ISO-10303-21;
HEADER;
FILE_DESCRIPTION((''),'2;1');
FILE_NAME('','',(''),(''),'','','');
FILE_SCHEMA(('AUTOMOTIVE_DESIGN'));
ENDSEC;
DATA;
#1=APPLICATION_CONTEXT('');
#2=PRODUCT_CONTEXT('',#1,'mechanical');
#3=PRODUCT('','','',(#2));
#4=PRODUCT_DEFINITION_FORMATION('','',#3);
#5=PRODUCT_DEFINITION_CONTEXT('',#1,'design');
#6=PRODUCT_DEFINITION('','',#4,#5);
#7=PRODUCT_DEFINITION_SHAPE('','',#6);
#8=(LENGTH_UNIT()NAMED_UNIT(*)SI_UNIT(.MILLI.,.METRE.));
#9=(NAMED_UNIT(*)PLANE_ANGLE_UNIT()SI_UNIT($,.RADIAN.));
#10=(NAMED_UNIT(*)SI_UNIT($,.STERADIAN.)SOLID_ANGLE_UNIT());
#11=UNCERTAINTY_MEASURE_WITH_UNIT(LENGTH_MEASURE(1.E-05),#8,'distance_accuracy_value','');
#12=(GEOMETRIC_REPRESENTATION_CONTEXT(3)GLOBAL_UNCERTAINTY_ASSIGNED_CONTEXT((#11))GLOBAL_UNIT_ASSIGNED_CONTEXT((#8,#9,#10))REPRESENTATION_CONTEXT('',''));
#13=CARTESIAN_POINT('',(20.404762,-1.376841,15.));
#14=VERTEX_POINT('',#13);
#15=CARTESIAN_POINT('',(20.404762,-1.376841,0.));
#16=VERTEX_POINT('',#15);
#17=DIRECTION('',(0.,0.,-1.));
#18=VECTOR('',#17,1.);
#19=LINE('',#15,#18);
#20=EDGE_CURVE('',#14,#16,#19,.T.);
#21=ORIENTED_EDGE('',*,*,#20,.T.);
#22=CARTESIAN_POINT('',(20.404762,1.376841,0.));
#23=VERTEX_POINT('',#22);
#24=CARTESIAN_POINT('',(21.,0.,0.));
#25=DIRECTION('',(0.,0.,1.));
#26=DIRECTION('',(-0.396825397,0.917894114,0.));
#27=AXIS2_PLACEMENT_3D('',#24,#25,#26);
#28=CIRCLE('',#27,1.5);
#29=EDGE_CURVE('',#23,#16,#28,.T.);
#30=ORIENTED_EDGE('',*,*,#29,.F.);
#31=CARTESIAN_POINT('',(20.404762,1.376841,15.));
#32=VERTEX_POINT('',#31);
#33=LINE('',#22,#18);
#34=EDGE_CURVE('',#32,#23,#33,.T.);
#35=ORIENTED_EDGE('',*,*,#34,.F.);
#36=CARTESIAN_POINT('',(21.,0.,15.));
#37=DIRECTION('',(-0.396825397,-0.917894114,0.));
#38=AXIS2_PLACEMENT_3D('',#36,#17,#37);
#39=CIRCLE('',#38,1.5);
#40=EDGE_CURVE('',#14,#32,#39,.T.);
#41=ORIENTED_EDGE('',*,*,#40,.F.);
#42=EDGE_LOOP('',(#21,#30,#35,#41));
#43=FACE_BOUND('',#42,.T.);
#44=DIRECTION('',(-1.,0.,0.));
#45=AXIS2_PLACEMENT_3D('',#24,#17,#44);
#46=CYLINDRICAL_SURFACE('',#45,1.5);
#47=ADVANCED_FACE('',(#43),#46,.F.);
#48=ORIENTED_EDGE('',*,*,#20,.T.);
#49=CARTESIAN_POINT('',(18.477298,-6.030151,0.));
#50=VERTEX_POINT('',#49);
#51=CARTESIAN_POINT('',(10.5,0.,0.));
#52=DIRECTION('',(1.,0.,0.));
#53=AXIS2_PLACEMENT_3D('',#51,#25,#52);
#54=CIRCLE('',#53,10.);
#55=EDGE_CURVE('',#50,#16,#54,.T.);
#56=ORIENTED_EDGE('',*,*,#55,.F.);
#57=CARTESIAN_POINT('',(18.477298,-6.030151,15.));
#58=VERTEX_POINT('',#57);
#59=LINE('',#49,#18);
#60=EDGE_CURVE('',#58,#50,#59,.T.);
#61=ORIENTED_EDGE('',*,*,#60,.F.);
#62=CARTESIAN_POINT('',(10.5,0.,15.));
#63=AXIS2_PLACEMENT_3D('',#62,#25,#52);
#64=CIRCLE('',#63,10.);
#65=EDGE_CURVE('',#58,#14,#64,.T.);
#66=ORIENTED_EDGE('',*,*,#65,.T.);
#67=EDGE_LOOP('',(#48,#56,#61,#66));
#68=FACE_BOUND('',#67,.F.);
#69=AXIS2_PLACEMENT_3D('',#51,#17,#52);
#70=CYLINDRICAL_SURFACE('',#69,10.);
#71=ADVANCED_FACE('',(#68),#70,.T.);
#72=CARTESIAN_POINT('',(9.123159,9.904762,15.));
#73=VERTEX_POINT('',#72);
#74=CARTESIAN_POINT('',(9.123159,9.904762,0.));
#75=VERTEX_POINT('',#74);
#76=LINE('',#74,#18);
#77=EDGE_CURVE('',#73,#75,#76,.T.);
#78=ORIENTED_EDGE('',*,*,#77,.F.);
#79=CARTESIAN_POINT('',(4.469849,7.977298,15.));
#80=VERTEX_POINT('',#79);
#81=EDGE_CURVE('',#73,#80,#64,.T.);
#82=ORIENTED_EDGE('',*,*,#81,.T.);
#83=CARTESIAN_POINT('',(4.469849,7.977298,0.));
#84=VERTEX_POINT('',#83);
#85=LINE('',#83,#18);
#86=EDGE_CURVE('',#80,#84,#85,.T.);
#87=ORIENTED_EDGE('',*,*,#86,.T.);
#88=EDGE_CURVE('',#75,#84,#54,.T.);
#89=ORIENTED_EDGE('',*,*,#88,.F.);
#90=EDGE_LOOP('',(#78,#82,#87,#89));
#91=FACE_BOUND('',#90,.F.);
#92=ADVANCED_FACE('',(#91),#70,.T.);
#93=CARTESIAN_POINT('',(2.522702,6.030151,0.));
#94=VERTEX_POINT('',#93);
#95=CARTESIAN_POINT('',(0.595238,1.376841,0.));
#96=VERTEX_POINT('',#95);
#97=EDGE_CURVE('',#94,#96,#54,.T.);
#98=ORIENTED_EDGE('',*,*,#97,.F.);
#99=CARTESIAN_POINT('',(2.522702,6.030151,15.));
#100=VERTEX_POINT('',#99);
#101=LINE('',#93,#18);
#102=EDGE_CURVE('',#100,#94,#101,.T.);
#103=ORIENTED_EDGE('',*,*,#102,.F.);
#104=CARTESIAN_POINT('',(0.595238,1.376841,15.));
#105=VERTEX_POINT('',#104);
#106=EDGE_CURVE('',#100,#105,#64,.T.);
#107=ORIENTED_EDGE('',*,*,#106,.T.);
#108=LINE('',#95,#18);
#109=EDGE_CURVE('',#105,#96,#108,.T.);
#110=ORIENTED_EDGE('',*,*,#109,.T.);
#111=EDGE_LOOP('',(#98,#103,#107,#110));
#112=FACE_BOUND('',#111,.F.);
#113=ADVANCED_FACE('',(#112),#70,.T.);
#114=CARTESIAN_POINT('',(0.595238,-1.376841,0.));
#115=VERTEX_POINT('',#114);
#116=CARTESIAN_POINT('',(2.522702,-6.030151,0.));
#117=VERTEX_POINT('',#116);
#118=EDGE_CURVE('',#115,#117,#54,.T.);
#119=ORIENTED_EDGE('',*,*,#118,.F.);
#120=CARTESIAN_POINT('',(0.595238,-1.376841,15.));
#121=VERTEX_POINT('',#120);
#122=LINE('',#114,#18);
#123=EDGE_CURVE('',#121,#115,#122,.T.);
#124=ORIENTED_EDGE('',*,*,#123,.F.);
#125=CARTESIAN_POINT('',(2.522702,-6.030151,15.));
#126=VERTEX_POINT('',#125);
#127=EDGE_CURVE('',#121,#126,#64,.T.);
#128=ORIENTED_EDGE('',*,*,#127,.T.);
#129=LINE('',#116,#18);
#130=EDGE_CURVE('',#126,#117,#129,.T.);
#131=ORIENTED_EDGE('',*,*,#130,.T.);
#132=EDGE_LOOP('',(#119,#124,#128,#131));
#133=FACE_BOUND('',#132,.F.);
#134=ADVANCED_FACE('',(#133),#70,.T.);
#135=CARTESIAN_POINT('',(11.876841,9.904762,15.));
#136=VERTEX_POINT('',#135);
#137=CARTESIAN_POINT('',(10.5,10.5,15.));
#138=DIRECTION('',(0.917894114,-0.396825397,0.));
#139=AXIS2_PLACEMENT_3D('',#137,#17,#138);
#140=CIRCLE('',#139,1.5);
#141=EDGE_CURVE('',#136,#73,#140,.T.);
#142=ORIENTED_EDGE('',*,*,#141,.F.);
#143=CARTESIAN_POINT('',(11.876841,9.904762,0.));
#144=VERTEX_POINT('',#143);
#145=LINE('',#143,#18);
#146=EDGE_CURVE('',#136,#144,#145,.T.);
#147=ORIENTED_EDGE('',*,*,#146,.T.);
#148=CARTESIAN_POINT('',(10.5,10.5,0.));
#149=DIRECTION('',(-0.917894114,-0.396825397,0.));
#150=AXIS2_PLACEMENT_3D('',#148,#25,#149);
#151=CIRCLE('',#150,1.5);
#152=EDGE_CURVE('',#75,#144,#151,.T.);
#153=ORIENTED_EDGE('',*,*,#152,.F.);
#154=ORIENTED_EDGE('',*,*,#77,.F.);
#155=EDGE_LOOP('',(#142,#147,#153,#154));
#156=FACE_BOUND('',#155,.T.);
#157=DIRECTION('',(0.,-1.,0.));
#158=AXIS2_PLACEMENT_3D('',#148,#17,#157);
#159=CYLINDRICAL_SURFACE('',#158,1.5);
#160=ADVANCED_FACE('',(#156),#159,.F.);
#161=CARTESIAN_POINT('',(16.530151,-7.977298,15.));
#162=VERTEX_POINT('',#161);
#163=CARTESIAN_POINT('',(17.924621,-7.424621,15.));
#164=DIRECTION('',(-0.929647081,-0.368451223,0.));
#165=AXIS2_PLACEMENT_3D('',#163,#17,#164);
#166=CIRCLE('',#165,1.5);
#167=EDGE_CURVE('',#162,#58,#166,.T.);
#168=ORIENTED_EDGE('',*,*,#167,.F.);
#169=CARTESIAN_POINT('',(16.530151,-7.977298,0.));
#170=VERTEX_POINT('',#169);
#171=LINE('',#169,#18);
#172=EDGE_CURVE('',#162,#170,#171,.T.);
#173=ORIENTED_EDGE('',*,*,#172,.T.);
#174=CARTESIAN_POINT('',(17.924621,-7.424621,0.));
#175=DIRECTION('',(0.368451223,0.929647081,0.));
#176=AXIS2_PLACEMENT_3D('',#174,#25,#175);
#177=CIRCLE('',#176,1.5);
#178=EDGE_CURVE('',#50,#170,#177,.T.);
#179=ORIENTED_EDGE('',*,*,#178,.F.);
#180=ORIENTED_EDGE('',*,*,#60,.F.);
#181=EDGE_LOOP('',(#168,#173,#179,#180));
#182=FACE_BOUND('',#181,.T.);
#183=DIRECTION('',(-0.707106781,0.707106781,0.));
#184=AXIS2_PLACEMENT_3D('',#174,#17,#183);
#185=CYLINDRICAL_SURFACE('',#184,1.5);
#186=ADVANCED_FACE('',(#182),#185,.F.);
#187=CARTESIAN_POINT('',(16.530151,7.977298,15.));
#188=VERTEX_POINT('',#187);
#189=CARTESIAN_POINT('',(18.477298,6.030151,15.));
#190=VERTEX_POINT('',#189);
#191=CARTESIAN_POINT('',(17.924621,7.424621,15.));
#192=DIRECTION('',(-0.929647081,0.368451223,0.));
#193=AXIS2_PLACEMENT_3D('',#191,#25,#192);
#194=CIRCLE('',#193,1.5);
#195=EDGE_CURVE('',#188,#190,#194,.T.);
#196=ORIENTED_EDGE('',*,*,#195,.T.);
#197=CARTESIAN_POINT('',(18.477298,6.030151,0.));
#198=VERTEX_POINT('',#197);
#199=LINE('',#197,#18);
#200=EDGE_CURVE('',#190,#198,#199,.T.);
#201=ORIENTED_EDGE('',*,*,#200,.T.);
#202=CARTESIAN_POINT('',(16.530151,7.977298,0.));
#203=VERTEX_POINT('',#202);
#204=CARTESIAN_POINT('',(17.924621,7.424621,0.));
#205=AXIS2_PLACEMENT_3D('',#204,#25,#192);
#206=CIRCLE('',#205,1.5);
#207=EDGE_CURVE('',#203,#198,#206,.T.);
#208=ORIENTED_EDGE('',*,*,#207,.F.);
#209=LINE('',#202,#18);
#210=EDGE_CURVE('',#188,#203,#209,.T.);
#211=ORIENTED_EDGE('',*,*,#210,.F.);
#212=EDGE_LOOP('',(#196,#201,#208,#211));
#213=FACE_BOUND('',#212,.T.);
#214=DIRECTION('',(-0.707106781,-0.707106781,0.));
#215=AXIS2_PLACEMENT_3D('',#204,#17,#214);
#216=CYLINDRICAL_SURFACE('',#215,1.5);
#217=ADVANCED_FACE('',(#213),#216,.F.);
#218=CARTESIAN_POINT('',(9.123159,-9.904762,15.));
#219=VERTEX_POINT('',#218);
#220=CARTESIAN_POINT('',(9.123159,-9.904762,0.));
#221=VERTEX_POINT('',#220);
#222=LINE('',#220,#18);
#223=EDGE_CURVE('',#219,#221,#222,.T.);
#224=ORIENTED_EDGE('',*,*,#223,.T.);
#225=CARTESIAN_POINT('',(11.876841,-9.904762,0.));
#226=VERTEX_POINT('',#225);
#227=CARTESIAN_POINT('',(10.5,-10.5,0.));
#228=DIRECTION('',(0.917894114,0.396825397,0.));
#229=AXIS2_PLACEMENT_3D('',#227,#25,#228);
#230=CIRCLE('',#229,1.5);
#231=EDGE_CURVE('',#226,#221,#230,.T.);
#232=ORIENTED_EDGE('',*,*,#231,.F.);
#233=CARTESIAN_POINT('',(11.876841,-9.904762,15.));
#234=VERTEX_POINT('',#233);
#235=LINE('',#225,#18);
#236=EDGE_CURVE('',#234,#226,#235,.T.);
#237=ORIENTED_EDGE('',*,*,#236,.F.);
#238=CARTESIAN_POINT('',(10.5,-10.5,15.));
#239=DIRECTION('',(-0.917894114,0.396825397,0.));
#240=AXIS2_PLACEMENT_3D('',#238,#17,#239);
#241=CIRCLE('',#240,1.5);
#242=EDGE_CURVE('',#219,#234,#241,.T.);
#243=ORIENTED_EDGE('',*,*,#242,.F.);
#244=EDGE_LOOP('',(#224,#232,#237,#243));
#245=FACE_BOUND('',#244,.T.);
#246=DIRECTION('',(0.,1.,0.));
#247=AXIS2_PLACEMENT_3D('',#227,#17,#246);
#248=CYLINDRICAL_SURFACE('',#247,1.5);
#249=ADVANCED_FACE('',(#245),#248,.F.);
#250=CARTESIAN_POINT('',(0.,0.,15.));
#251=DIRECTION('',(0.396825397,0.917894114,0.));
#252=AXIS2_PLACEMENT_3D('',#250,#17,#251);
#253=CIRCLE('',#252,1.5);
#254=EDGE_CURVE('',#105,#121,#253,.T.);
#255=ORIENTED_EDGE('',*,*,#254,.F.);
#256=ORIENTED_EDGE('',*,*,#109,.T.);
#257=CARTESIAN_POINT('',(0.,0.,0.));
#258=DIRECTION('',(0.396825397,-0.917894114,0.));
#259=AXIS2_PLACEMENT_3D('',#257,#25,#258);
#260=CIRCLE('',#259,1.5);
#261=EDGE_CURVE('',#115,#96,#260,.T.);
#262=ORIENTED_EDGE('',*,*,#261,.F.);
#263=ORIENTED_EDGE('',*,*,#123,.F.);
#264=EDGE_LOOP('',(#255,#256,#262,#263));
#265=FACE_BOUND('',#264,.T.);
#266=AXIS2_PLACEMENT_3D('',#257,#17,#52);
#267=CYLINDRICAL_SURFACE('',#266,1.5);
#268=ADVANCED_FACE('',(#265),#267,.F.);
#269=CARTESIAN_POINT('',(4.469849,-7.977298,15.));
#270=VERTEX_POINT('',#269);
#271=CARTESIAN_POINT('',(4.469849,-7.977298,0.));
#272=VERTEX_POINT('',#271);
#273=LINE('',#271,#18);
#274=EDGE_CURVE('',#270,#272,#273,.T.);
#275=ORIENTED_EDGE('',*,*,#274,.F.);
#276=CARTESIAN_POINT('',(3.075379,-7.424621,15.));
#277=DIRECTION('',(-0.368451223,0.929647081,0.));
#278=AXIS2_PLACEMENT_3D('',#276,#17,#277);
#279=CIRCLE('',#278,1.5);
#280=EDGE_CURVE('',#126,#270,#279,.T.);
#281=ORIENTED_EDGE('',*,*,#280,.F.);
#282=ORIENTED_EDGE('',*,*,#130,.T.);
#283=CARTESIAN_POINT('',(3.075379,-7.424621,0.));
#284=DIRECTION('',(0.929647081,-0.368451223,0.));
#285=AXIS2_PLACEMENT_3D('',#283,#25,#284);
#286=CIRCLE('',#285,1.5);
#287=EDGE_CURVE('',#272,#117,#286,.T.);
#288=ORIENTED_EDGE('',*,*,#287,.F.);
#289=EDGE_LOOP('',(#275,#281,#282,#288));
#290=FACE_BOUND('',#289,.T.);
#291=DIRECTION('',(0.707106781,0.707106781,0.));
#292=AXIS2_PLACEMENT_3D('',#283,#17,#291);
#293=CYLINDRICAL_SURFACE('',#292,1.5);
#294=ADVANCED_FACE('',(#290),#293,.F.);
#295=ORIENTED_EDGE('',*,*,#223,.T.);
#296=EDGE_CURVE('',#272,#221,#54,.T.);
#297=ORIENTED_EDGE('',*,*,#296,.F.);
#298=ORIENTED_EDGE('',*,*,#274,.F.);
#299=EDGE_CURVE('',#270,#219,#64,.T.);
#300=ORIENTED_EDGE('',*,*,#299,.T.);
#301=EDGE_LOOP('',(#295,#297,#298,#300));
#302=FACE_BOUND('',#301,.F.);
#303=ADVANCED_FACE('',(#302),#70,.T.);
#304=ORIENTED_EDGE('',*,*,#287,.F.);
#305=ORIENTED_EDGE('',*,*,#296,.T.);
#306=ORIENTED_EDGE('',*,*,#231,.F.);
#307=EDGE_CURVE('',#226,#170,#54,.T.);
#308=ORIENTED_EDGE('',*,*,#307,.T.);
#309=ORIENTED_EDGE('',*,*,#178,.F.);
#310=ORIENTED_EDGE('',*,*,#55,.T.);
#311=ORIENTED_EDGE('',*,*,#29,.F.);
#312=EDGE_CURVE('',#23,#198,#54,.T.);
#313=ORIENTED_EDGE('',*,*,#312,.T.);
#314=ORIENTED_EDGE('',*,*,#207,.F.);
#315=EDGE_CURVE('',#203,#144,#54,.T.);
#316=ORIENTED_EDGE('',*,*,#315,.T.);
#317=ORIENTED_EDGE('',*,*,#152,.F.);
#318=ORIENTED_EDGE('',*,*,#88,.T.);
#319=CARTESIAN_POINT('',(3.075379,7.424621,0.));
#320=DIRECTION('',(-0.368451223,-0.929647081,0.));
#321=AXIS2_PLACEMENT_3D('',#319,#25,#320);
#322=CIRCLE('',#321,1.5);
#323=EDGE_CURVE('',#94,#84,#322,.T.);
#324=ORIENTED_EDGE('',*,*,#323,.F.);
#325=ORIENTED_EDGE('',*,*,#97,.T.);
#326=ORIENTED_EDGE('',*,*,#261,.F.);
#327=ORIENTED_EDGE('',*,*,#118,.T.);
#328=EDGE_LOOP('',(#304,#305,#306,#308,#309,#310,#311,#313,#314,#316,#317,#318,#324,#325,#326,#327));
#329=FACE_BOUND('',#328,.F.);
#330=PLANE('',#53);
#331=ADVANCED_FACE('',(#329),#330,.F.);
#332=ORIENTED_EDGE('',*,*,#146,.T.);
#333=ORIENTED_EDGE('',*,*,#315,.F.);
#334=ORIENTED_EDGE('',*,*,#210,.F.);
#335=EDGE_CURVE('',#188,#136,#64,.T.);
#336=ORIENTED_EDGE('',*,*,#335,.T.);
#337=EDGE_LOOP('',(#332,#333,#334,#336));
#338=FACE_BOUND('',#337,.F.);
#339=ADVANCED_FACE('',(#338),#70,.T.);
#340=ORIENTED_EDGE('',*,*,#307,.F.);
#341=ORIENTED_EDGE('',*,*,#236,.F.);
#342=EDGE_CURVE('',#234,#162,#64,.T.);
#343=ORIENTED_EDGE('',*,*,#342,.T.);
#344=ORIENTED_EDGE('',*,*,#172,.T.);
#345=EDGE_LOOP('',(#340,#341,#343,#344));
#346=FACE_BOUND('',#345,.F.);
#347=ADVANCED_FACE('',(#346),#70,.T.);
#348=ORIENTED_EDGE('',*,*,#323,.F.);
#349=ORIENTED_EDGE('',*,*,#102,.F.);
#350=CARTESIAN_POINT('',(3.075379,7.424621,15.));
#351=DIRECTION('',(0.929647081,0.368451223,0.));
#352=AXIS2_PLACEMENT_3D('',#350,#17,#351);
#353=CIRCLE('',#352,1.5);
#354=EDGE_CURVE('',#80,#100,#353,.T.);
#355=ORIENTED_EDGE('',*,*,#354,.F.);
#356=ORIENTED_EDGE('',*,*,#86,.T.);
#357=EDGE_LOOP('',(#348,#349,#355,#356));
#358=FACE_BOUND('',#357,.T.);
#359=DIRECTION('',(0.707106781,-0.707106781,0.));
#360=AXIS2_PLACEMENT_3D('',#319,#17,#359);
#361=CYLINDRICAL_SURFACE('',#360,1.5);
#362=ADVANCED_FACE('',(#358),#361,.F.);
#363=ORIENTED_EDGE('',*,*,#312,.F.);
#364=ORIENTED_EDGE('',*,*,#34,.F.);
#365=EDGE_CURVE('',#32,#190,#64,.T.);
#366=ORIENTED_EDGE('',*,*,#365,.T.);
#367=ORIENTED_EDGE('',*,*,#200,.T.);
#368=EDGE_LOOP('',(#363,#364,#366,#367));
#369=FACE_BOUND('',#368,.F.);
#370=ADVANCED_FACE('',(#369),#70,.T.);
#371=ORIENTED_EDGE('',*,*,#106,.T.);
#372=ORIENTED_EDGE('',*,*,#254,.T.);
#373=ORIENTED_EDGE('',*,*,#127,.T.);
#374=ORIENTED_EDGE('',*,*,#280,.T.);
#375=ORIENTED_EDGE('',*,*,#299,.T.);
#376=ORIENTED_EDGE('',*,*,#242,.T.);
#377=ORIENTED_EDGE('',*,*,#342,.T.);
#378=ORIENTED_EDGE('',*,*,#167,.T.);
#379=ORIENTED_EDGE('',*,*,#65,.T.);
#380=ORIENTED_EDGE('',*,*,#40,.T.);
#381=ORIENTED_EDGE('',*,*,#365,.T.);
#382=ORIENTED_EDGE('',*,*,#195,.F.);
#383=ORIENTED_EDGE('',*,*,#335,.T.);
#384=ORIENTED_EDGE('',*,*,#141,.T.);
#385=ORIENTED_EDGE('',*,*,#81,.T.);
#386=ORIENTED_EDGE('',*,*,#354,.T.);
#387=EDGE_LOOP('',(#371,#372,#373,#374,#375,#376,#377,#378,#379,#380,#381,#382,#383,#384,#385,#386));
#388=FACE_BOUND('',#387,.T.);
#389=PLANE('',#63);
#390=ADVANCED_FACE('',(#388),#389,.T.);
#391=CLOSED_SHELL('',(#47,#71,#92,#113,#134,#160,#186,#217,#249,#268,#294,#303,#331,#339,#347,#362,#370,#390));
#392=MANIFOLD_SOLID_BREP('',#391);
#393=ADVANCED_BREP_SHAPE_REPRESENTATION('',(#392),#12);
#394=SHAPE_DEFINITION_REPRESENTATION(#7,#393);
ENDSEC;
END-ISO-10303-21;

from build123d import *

# Parameters (mm, degrees)
CYLINDER001_R     = 1.5
CYLINDER001_DEPTH = 25
ARRAY_COUNT       = 8
CYLINDER_R        = 10
CYLINDER_DEPTH    = 15


with BuildPart() as array:
    # Cylinder001 → Cylinder001 (new body)
    with BuildSketch(Plane.XY):
        Circle(CYLINDER001_R)
    extrude(amount=CYLINDER001_DEPTH)

    # Array: Array ×8 about axis
    array_axis = Axis((10.5, 0, 0), (0, 0, 1))


with BuildPart() as array_1:
    add(array.part)
    for i in range(1, ARRAY_COUNT):
        add(array.part.rotate(array_axis, i * 360 / ARRAY_COUNT))


with BuildPart() as cut:
    # Cylinder → Cylinder (new body)
    with BuildSketch(Plane(origin=(10.5, 0, 0), x_dir=(1, 0, 0), z_dir=(0, 0, 1))):
        Circle(CYLINDER_R)
    extrude(amount=CYLINDER_DEPTH)

    # Cut: cut Array
    add(array_1.part, mode=Mode.SUBTRACT)


solid = cut.part
